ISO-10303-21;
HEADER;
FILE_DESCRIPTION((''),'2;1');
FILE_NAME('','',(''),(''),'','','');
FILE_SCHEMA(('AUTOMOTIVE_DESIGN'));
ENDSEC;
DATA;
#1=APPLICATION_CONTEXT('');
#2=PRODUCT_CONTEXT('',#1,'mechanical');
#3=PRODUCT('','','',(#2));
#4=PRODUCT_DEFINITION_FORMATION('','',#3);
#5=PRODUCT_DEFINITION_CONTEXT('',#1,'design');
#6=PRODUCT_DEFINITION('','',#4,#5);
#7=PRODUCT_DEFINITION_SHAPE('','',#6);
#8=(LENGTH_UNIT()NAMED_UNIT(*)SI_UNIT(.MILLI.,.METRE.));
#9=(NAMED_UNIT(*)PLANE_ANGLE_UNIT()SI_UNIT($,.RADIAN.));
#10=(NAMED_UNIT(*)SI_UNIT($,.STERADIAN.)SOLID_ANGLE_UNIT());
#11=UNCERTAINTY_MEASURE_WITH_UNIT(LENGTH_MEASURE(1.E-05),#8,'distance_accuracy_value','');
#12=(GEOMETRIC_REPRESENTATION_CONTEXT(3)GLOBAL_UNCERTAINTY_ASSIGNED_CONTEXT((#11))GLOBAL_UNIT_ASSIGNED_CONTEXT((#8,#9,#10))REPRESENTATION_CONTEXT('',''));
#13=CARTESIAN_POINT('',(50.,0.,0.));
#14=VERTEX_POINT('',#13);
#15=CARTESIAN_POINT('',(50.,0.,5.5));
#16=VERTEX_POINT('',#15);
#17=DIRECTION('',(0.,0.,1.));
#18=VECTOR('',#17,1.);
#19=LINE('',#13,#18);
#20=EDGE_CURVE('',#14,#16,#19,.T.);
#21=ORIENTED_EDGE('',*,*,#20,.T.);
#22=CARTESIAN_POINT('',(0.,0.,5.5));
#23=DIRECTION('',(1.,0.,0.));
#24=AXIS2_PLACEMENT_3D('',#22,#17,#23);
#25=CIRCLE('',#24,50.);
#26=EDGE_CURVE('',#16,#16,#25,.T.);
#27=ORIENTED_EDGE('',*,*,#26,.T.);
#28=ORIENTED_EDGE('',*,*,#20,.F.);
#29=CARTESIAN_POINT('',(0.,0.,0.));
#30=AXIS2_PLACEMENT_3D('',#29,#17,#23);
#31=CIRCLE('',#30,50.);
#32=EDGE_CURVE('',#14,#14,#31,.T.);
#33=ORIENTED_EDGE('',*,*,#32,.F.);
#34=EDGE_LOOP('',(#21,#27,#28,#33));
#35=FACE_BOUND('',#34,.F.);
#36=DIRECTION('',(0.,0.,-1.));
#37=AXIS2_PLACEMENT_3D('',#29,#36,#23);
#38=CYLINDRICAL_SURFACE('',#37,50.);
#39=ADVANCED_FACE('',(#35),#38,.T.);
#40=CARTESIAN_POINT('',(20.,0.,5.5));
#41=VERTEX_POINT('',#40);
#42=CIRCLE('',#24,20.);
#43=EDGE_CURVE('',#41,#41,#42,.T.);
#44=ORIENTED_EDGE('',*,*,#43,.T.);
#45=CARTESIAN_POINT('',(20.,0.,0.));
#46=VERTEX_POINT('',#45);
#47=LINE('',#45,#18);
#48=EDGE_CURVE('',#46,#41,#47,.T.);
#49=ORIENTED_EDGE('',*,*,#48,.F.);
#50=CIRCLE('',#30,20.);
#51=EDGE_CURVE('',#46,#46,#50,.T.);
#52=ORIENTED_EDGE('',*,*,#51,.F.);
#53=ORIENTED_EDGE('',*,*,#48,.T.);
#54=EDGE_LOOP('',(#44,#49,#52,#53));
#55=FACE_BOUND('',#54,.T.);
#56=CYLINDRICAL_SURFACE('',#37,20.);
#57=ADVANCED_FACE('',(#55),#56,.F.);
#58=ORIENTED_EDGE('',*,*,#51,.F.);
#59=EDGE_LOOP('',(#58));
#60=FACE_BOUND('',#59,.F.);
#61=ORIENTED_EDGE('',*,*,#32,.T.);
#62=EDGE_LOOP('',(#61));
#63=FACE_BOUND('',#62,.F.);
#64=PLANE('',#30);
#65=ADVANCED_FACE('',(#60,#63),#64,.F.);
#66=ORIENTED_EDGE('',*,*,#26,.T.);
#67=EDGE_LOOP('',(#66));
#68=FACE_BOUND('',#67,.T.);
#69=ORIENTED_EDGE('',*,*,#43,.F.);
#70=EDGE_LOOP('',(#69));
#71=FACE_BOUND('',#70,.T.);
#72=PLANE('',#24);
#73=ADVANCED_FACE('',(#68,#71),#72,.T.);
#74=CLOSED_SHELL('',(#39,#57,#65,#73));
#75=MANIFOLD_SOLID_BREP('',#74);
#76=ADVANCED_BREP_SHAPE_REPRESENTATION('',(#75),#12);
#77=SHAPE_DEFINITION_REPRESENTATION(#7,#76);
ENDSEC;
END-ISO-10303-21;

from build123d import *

# Parameters (mm, degrees)
SKETCH_R   = 50
SKETCH_R_2 = 20
PAD_DEPTH  = 5.5


with BuildPart() as part:
    # Sketch → Pad (new body)
    with BuildSketch(Plane.XY):
        Circle(SKETCH_R)
        Circle(SKETCH_R_2, mode=Mode.SUBTRACT)
    extrude(amount=PAD_DEPTH)


solid = part.part
